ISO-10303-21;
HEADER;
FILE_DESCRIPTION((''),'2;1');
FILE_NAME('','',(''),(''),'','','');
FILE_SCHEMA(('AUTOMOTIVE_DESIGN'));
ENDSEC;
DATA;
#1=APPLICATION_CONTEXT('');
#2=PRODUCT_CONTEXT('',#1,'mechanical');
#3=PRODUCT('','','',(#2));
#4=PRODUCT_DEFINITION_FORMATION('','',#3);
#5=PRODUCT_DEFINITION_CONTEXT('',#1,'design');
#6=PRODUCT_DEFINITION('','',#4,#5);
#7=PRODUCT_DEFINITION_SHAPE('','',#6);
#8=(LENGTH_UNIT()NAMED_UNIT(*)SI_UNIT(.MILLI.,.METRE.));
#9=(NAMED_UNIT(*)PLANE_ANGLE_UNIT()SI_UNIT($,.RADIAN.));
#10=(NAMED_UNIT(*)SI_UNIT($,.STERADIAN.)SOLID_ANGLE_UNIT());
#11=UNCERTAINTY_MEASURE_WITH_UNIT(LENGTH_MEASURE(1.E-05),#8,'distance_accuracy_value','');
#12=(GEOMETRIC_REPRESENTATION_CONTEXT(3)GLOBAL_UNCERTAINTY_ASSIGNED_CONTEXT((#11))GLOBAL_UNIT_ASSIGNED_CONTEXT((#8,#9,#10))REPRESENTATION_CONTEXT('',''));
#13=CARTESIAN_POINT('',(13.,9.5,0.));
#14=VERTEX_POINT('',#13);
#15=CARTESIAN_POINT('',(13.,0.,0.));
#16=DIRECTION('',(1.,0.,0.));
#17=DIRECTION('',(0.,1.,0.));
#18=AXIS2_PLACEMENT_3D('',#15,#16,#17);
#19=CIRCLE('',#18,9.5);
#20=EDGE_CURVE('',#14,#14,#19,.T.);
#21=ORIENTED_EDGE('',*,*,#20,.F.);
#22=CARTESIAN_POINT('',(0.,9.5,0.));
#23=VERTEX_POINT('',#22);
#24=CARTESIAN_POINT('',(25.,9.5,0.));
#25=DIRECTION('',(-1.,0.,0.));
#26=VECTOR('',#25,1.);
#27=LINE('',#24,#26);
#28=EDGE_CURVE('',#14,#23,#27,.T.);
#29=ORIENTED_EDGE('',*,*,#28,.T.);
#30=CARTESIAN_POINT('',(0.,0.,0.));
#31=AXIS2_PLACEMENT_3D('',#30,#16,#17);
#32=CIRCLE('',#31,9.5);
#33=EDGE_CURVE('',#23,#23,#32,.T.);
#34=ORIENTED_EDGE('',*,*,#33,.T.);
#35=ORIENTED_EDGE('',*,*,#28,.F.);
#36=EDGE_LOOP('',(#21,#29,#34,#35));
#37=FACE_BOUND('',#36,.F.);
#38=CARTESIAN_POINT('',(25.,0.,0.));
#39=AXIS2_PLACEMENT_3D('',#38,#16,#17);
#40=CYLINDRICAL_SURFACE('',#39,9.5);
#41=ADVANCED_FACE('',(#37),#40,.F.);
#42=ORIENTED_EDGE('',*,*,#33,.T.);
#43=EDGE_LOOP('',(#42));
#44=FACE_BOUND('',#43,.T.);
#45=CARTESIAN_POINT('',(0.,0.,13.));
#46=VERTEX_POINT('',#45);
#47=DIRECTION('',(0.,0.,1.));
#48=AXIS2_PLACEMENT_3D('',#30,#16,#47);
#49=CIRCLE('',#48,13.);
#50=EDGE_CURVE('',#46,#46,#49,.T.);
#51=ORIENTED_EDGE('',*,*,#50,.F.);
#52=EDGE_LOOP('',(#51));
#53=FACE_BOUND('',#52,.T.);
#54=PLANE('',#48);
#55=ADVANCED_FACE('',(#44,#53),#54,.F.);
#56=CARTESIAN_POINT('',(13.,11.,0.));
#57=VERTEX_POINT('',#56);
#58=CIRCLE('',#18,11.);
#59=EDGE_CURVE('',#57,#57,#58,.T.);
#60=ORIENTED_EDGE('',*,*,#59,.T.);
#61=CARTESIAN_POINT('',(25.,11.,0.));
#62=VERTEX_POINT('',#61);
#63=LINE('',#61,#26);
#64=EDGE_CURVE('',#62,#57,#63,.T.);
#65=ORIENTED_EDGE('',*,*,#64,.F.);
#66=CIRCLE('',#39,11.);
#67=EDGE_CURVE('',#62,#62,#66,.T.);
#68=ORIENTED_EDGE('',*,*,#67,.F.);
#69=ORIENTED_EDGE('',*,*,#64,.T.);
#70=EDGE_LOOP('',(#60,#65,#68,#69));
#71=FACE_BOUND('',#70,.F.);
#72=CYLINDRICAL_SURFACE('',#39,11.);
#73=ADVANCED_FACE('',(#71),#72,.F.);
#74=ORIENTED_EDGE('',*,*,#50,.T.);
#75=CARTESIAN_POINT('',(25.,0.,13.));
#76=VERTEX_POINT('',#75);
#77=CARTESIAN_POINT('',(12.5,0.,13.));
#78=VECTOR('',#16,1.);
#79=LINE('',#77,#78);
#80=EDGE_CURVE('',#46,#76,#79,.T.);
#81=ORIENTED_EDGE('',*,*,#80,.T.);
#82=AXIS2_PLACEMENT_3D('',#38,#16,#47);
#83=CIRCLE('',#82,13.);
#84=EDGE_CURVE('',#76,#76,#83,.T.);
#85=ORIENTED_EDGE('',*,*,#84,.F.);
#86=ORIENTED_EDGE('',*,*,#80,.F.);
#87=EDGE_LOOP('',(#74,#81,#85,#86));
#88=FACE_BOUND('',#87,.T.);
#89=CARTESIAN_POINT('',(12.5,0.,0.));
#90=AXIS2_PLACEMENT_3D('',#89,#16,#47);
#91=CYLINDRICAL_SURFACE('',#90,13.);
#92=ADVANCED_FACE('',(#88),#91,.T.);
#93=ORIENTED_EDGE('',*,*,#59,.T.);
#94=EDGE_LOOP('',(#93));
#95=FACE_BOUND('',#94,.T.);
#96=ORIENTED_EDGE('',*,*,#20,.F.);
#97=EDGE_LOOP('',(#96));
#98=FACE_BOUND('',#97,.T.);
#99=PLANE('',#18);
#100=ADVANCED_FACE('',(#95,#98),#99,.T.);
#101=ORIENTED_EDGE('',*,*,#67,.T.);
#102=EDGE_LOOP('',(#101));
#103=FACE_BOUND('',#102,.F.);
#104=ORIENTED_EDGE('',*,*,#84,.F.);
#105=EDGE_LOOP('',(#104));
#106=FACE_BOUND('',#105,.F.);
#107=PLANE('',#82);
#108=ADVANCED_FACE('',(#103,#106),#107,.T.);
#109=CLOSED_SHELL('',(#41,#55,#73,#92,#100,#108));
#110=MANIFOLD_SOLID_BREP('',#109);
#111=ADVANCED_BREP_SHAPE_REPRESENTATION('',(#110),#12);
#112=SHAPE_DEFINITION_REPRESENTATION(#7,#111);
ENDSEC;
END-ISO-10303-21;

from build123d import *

# Parameters (mm, degrees)
F0_W     = 25
F0_H     = 13
F2_R     = 9.5
F3_DEPTH = 57.5
F2_R_2   = 11
F4_DEPTH = 12


with BuildPart() as f1:
    # F0 (on Front) → F1 (revolve)
    with BuildSketch(Plane.XZ):
        with Locations((12.5, 6.5)):
            Rectangle(F0_W, F0_H)
    revolve(axis=Axis((12.5, 0, 0), (1, 0, 0)))

    # F2 (on face) → F3 (cut)
    with BuildSketch(Plane.YZ.offset(25)):
        Circle(F2_R)
    extrude(amount=-F3_DEPTH, mode=Mode.SUBTRACT)

    # F2 (on face) → F4 (cut)
    with BuildSketch(Plane.YZ.offset(25)):
        Circle(F2_R_2)
        Circle(F2_R, mode=Mode.SUBTRACT)
    extrude(amount=-F4_DEPTH, mode=Mode.SUBTRACT)


solid = f1.part
